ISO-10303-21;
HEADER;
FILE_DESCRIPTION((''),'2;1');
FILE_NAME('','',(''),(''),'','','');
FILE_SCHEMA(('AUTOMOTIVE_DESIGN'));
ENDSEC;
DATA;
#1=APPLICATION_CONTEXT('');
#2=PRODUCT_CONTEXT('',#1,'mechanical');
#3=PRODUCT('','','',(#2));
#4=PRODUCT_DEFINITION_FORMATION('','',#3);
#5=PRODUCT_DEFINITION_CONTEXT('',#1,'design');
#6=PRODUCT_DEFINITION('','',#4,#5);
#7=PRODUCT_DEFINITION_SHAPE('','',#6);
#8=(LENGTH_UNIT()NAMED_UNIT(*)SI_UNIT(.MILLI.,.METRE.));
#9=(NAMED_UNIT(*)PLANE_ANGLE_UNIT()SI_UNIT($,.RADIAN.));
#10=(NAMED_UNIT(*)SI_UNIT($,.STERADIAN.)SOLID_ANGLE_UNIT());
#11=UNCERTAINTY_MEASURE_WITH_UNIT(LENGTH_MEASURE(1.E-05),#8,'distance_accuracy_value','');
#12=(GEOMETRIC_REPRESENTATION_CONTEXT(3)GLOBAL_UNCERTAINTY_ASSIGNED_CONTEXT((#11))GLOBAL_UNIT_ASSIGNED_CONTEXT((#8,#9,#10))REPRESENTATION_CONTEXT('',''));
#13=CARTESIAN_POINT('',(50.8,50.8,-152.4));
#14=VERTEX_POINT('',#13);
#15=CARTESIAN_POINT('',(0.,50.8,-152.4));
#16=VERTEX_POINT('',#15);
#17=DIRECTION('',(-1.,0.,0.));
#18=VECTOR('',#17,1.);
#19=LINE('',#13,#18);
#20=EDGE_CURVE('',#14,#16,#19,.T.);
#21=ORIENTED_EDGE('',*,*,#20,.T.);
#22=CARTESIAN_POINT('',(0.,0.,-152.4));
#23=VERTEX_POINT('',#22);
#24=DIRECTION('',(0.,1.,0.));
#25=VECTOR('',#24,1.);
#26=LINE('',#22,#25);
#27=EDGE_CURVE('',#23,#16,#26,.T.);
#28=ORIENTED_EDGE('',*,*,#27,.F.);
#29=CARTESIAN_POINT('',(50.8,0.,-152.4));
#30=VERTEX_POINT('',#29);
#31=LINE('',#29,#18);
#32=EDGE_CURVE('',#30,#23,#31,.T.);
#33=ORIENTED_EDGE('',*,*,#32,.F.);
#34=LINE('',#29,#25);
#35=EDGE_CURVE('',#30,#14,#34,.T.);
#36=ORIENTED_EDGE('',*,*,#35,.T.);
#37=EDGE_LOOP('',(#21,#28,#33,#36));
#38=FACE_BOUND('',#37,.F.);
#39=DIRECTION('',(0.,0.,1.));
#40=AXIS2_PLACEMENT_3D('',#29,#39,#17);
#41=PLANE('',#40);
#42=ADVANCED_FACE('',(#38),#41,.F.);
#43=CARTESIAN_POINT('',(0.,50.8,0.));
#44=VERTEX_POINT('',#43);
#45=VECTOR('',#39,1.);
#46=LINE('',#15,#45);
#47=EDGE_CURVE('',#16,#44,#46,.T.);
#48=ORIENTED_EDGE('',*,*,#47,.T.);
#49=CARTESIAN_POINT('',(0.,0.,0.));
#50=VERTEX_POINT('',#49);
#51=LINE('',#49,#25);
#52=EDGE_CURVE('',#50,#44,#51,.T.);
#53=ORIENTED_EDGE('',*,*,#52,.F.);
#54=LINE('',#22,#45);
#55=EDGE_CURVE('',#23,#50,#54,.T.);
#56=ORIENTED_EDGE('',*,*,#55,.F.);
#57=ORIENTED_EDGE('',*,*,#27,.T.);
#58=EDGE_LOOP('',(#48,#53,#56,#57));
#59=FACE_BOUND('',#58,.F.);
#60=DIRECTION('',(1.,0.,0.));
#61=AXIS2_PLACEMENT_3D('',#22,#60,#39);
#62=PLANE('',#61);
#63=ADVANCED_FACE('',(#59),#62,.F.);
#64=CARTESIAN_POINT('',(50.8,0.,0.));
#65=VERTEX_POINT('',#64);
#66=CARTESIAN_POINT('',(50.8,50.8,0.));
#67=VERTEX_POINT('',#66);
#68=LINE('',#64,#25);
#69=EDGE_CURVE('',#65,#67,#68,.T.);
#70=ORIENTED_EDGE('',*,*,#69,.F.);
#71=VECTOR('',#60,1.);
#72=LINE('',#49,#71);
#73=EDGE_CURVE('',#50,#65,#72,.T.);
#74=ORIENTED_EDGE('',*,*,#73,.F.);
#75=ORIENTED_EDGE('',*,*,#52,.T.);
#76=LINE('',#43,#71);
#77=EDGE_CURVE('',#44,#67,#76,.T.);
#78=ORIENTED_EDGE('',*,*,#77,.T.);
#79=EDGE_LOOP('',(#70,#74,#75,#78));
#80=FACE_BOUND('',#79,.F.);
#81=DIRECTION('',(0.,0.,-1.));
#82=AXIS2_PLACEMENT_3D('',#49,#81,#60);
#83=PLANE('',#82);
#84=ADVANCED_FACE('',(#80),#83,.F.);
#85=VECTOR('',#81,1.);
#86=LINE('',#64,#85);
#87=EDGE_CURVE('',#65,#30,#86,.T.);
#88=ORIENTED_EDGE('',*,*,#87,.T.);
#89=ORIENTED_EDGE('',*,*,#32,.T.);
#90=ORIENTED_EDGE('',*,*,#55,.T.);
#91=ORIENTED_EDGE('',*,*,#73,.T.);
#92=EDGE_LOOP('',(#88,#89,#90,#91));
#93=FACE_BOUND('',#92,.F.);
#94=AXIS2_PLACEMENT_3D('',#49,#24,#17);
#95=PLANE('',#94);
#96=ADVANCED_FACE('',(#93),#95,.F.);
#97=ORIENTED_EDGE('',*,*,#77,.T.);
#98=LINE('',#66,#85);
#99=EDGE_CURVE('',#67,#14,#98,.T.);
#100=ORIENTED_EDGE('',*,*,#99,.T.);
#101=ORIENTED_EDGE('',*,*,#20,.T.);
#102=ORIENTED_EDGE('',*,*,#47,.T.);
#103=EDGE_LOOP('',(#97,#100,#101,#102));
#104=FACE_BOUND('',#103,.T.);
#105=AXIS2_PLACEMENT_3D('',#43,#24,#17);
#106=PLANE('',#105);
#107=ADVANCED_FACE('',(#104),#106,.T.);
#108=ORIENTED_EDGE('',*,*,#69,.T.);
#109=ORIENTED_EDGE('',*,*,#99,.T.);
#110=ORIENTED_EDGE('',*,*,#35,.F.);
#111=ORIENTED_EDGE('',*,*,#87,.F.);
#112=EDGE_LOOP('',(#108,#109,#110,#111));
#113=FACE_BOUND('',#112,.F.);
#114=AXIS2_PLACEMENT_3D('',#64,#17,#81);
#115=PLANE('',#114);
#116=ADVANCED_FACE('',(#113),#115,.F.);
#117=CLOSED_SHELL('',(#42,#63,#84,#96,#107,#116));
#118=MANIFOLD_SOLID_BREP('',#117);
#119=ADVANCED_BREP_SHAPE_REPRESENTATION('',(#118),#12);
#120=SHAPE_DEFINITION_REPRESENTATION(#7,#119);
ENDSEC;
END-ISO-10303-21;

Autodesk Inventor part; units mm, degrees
ref_plane "YZ Plane" through (0, 0, 0) normal (1, 0, 0) x (0, 1, 0)
ref_plane "XZ Plane" through (0, 0, 0) normal (0, 1, 0) x (-1, 0, 0)
ref_plane "XY Plane" through (0, 0, 0) normal (0, 0, 1) x (1, 0, 0)
sketch "Sketch1" plane through (0, 0, 0) normal (0, 1, 0) x (-1, 0, 0)
  line L0 (0, 0) -> (-50.8, 0)
  line L1 (-50.8, 0) -> (-50.8, -152.4)
  line L2 (-50.8, -152.4) -> (0, -152.4)
  line L3 (0, -152.4) -> (0, 0)
  dimension "d0" = 50.8
  dimension "d1" = 152.4
extrude "Extrusion1" add sketch "Sketch1" along normal blind 50.8
properties part number "rev1 base large wall plank middle"
